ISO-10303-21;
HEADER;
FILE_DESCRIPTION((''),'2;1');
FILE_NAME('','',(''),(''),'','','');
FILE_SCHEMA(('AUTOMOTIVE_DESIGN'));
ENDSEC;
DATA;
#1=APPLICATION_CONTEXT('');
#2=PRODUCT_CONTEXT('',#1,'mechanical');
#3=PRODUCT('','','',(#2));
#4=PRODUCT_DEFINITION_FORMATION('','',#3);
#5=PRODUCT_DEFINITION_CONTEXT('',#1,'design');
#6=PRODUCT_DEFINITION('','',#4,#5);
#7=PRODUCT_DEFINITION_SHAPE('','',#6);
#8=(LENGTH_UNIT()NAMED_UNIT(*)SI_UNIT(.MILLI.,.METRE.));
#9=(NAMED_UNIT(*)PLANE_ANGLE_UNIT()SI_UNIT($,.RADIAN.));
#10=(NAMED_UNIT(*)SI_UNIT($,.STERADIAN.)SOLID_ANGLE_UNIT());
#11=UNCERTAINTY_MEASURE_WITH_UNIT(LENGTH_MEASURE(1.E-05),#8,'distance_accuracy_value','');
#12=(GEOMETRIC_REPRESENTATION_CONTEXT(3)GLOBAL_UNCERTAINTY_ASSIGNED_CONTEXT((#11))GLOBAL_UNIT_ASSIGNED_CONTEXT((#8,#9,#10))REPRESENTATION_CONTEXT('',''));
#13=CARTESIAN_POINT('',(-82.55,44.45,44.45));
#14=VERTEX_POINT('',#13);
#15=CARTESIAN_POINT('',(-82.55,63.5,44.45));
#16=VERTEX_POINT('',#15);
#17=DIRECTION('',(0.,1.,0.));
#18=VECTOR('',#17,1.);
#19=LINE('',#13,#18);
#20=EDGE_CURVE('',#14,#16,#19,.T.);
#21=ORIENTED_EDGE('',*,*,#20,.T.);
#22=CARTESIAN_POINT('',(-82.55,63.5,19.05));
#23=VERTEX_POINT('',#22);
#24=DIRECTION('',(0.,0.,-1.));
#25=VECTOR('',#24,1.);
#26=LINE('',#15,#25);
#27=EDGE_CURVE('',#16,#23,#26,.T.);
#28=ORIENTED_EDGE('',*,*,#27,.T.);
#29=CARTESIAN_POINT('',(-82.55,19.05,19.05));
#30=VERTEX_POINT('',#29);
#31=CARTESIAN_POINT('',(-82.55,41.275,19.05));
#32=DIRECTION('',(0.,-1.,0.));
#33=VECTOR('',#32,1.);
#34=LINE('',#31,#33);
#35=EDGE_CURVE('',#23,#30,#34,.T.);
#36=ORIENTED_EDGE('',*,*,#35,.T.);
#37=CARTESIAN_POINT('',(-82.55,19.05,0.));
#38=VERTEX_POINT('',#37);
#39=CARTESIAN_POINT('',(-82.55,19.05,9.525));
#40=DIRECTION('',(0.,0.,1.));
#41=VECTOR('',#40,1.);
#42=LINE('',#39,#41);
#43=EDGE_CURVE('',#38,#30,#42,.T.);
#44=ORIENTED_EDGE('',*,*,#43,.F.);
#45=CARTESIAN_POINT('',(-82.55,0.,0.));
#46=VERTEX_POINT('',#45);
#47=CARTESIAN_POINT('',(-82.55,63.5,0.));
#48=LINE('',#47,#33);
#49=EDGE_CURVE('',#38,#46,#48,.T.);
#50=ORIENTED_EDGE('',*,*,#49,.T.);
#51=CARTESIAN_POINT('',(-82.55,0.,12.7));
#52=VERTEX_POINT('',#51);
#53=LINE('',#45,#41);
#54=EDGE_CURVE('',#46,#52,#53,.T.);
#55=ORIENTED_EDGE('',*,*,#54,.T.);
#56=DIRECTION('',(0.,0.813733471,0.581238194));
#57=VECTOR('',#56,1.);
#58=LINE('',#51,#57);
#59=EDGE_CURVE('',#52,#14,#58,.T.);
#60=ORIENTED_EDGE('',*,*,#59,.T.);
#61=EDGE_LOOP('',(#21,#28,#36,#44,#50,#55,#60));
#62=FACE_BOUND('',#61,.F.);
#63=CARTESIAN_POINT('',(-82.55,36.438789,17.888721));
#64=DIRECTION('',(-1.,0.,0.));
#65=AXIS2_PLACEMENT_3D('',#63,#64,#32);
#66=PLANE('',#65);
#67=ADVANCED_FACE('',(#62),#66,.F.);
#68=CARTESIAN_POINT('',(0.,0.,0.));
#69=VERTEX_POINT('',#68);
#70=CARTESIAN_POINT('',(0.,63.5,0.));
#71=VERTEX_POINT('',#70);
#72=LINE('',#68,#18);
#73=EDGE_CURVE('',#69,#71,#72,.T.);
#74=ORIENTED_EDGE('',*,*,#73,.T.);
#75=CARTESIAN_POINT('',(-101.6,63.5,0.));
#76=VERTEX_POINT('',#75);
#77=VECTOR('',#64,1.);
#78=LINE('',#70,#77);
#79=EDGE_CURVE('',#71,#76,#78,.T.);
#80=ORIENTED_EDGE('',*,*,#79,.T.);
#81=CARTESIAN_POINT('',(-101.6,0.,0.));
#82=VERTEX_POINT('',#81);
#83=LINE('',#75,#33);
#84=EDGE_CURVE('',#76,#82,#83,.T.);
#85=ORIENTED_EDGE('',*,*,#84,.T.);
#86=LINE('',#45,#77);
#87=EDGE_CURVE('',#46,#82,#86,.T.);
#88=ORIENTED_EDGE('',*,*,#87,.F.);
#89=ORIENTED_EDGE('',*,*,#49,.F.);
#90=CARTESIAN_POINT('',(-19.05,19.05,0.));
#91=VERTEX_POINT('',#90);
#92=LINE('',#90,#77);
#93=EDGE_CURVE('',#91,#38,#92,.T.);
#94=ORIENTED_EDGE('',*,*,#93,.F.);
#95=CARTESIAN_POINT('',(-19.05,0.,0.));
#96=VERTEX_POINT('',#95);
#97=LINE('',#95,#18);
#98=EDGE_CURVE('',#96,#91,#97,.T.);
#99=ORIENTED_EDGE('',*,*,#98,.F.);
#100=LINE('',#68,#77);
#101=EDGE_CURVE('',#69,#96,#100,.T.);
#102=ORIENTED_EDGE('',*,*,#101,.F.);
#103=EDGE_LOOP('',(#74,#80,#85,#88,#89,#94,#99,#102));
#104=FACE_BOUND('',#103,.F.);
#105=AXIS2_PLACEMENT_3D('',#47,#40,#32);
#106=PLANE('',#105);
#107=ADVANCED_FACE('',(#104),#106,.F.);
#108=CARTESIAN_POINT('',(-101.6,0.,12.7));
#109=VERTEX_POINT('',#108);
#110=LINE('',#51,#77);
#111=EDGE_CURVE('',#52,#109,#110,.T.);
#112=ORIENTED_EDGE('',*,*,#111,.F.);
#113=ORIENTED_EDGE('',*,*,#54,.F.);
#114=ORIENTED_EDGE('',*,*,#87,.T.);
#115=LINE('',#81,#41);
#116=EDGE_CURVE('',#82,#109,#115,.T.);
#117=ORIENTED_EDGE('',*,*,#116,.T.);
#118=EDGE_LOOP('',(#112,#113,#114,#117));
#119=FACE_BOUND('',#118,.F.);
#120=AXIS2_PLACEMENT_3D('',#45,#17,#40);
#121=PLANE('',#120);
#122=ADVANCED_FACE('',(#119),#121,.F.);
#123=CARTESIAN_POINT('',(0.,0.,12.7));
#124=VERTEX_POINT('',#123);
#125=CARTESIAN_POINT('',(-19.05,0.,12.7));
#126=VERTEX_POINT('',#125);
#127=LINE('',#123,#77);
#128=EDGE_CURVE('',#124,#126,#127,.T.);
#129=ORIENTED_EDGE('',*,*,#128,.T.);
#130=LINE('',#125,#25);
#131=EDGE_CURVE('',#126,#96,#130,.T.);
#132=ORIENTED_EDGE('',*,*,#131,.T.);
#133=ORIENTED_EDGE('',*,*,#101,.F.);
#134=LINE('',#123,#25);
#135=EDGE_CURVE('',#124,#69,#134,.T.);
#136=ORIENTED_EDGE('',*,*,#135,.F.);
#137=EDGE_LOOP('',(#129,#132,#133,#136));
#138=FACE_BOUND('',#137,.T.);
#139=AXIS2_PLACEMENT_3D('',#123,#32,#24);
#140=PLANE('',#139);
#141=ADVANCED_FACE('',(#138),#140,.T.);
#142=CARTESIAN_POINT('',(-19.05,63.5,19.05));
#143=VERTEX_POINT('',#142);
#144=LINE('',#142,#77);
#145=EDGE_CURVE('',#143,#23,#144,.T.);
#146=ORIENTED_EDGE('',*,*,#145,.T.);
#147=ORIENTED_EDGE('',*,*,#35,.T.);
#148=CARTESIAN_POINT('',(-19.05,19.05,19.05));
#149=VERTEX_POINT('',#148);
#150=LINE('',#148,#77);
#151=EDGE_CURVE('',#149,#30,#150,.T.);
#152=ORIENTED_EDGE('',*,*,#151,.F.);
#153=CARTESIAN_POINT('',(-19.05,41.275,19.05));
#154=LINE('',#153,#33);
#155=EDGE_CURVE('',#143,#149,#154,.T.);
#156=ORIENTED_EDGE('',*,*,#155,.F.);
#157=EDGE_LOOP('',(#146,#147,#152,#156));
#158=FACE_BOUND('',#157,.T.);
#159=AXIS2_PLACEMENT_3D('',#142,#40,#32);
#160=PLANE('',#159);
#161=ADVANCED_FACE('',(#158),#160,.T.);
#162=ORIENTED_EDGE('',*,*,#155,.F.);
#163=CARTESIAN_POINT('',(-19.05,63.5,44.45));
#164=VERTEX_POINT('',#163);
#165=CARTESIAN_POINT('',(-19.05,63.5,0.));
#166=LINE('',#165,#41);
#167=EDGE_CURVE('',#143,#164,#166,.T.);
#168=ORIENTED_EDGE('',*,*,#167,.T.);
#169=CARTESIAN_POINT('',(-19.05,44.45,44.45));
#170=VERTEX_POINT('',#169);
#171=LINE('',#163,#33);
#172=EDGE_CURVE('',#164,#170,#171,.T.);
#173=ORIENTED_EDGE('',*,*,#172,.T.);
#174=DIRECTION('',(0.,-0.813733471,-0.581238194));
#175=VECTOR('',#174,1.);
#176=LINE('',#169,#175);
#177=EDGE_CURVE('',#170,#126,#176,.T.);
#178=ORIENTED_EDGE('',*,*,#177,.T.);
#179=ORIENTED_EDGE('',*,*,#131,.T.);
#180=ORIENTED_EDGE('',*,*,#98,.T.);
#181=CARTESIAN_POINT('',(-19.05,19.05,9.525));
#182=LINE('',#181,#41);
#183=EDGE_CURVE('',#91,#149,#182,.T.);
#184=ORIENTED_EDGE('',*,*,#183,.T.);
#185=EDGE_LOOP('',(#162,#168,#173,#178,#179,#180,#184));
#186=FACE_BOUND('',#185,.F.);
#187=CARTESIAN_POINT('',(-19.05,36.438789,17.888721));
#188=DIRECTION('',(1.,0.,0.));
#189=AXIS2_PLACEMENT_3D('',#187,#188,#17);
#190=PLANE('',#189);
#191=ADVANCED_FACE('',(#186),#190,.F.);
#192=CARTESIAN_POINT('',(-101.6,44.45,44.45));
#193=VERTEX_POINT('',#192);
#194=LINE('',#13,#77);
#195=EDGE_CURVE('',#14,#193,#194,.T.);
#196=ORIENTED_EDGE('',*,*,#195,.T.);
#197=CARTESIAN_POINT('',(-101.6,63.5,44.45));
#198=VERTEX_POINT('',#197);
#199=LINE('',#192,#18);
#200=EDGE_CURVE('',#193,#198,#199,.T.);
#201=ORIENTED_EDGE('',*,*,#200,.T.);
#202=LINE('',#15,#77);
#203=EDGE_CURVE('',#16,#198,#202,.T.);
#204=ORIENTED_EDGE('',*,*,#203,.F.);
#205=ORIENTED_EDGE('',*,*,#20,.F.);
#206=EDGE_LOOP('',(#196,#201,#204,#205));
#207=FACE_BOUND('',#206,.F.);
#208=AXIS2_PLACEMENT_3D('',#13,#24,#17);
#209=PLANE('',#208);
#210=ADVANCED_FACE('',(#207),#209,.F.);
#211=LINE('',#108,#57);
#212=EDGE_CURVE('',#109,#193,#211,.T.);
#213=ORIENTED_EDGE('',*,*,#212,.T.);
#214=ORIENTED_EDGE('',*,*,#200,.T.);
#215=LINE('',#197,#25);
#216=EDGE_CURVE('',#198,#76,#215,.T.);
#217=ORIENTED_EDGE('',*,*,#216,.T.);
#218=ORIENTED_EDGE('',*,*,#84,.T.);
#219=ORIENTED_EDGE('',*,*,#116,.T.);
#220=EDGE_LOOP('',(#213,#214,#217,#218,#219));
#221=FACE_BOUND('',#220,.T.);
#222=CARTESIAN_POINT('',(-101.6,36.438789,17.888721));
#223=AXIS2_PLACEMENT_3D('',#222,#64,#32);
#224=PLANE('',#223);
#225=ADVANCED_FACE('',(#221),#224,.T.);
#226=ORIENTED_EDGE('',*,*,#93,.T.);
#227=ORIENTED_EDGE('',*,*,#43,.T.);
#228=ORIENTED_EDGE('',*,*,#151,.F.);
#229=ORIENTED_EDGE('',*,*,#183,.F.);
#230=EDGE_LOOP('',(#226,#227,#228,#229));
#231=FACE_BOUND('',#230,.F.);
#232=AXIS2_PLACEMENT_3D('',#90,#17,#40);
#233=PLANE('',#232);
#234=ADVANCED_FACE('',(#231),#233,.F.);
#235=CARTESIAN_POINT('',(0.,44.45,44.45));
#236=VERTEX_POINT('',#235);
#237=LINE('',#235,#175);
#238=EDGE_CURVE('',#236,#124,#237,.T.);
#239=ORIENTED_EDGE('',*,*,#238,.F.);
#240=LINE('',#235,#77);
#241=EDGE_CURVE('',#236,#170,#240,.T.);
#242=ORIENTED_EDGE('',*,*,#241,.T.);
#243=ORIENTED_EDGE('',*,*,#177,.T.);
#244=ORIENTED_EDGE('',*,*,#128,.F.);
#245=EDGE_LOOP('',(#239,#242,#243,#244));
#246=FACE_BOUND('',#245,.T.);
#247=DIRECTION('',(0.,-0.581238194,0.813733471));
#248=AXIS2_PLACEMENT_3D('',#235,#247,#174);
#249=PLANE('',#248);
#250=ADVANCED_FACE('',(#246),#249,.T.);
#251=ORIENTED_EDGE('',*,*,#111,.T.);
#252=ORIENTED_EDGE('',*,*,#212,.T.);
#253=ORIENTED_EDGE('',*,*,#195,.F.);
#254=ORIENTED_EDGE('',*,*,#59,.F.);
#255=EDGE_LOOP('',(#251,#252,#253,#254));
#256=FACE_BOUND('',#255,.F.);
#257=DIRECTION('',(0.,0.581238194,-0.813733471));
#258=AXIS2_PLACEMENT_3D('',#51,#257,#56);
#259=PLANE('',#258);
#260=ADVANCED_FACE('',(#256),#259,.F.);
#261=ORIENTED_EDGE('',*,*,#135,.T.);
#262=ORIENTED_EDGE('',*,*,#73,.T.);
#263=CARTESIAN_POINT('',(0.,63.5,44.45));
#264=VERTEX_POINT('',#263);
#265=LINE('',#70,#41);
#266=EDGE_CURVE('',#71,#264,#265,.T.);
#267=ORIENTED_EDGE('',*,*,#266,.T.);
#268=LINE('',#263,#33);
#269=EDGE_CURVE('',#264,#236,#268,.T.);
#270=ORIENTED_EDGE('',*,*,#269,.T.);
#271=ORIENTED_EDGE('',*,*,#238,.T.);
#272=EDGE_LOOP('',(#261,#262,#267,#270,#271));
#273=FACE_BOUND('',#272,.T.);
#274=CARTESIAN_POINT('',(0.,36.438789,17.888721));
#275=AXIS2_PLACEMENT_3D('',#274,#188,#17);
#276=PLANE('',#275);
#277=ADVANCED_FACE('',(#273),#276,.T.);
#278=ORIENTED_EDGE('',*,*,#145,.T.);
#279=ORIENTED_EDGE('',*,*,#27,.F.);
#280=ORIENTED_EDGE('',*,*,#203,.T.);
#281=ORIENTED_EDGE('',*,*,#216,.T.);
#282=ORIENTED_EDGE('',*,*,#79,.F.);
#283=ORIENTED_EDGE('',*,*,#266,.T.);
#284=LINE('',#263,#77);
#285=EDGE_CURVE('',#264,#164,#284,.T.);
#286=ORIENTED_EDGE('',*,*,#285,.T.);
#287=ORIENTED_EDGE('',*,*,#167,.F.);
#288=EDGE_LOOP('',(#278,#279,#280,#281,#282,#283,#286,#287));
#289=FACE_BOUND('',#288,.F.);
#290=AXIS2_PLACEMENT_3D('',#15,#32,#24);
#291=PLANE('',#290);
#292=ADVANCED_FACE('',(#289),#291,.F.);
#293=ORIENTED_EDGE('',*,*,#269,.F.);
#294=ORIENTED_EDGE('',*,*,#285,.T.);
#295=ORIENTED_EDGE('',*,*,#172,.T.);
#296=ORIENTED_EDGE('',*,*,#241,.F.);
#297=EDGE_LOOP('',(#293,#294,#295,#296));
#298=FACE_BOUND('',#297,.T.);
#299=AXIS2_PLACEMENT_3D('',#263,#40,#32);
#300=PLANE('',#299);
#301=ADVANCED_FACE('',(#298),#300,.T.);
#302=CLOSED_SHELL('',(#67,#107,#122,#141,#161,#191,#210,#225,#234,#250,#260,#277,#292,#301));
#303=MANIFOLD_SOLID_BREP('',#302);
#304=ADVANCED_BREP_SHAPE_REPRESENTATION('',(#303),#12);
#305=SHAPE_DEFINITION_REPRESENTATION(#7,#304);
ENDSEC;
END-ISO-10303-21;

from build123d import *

# Parameters (mm, degrees)
F1_DEPTH = 19.05
F2_W     = 44.45
F2_H     = 19.05
F3_DEPTH = 63.5
F5_DEPTH = 19.05


with BuildPart() as f1:
    # F0 (on Right) → F1 (new body)
    with BuildSketch(Plane.YZ):
        Polygon((0, 12.7), (0, 0), (63.5, 0), (63.5, 44.45), (44.45, 44.45), align=None)
    extrude(amount=-F1_DEPTH)

    # F2 (on face) → F3 (join)
    with BuildSketch(Plane(origin=(-19.05, 0, 0), x_dir=(0, -1, 0), z_dir=(-1, 0, 0))):
        with Locations((-41.275, 9.525)):
            Rectangle(F2_W, F2_H)
    extrude(amount=F3_DEPTH)

    # F4 (on face) → F5 (join)
    with BuildSketch(Plane(origin=(-82.55, 0, 0), x_dir=(0, -1, 0), z_dir=(-1, 0, 0))):
        Polygon((-63.5, 44.45), (-63.5, 0), (0, 0), (0, 12.7), (-44.45, 44.45), align=None)
    extrude(amount=F5_DEPTH)


solid = f1.part
